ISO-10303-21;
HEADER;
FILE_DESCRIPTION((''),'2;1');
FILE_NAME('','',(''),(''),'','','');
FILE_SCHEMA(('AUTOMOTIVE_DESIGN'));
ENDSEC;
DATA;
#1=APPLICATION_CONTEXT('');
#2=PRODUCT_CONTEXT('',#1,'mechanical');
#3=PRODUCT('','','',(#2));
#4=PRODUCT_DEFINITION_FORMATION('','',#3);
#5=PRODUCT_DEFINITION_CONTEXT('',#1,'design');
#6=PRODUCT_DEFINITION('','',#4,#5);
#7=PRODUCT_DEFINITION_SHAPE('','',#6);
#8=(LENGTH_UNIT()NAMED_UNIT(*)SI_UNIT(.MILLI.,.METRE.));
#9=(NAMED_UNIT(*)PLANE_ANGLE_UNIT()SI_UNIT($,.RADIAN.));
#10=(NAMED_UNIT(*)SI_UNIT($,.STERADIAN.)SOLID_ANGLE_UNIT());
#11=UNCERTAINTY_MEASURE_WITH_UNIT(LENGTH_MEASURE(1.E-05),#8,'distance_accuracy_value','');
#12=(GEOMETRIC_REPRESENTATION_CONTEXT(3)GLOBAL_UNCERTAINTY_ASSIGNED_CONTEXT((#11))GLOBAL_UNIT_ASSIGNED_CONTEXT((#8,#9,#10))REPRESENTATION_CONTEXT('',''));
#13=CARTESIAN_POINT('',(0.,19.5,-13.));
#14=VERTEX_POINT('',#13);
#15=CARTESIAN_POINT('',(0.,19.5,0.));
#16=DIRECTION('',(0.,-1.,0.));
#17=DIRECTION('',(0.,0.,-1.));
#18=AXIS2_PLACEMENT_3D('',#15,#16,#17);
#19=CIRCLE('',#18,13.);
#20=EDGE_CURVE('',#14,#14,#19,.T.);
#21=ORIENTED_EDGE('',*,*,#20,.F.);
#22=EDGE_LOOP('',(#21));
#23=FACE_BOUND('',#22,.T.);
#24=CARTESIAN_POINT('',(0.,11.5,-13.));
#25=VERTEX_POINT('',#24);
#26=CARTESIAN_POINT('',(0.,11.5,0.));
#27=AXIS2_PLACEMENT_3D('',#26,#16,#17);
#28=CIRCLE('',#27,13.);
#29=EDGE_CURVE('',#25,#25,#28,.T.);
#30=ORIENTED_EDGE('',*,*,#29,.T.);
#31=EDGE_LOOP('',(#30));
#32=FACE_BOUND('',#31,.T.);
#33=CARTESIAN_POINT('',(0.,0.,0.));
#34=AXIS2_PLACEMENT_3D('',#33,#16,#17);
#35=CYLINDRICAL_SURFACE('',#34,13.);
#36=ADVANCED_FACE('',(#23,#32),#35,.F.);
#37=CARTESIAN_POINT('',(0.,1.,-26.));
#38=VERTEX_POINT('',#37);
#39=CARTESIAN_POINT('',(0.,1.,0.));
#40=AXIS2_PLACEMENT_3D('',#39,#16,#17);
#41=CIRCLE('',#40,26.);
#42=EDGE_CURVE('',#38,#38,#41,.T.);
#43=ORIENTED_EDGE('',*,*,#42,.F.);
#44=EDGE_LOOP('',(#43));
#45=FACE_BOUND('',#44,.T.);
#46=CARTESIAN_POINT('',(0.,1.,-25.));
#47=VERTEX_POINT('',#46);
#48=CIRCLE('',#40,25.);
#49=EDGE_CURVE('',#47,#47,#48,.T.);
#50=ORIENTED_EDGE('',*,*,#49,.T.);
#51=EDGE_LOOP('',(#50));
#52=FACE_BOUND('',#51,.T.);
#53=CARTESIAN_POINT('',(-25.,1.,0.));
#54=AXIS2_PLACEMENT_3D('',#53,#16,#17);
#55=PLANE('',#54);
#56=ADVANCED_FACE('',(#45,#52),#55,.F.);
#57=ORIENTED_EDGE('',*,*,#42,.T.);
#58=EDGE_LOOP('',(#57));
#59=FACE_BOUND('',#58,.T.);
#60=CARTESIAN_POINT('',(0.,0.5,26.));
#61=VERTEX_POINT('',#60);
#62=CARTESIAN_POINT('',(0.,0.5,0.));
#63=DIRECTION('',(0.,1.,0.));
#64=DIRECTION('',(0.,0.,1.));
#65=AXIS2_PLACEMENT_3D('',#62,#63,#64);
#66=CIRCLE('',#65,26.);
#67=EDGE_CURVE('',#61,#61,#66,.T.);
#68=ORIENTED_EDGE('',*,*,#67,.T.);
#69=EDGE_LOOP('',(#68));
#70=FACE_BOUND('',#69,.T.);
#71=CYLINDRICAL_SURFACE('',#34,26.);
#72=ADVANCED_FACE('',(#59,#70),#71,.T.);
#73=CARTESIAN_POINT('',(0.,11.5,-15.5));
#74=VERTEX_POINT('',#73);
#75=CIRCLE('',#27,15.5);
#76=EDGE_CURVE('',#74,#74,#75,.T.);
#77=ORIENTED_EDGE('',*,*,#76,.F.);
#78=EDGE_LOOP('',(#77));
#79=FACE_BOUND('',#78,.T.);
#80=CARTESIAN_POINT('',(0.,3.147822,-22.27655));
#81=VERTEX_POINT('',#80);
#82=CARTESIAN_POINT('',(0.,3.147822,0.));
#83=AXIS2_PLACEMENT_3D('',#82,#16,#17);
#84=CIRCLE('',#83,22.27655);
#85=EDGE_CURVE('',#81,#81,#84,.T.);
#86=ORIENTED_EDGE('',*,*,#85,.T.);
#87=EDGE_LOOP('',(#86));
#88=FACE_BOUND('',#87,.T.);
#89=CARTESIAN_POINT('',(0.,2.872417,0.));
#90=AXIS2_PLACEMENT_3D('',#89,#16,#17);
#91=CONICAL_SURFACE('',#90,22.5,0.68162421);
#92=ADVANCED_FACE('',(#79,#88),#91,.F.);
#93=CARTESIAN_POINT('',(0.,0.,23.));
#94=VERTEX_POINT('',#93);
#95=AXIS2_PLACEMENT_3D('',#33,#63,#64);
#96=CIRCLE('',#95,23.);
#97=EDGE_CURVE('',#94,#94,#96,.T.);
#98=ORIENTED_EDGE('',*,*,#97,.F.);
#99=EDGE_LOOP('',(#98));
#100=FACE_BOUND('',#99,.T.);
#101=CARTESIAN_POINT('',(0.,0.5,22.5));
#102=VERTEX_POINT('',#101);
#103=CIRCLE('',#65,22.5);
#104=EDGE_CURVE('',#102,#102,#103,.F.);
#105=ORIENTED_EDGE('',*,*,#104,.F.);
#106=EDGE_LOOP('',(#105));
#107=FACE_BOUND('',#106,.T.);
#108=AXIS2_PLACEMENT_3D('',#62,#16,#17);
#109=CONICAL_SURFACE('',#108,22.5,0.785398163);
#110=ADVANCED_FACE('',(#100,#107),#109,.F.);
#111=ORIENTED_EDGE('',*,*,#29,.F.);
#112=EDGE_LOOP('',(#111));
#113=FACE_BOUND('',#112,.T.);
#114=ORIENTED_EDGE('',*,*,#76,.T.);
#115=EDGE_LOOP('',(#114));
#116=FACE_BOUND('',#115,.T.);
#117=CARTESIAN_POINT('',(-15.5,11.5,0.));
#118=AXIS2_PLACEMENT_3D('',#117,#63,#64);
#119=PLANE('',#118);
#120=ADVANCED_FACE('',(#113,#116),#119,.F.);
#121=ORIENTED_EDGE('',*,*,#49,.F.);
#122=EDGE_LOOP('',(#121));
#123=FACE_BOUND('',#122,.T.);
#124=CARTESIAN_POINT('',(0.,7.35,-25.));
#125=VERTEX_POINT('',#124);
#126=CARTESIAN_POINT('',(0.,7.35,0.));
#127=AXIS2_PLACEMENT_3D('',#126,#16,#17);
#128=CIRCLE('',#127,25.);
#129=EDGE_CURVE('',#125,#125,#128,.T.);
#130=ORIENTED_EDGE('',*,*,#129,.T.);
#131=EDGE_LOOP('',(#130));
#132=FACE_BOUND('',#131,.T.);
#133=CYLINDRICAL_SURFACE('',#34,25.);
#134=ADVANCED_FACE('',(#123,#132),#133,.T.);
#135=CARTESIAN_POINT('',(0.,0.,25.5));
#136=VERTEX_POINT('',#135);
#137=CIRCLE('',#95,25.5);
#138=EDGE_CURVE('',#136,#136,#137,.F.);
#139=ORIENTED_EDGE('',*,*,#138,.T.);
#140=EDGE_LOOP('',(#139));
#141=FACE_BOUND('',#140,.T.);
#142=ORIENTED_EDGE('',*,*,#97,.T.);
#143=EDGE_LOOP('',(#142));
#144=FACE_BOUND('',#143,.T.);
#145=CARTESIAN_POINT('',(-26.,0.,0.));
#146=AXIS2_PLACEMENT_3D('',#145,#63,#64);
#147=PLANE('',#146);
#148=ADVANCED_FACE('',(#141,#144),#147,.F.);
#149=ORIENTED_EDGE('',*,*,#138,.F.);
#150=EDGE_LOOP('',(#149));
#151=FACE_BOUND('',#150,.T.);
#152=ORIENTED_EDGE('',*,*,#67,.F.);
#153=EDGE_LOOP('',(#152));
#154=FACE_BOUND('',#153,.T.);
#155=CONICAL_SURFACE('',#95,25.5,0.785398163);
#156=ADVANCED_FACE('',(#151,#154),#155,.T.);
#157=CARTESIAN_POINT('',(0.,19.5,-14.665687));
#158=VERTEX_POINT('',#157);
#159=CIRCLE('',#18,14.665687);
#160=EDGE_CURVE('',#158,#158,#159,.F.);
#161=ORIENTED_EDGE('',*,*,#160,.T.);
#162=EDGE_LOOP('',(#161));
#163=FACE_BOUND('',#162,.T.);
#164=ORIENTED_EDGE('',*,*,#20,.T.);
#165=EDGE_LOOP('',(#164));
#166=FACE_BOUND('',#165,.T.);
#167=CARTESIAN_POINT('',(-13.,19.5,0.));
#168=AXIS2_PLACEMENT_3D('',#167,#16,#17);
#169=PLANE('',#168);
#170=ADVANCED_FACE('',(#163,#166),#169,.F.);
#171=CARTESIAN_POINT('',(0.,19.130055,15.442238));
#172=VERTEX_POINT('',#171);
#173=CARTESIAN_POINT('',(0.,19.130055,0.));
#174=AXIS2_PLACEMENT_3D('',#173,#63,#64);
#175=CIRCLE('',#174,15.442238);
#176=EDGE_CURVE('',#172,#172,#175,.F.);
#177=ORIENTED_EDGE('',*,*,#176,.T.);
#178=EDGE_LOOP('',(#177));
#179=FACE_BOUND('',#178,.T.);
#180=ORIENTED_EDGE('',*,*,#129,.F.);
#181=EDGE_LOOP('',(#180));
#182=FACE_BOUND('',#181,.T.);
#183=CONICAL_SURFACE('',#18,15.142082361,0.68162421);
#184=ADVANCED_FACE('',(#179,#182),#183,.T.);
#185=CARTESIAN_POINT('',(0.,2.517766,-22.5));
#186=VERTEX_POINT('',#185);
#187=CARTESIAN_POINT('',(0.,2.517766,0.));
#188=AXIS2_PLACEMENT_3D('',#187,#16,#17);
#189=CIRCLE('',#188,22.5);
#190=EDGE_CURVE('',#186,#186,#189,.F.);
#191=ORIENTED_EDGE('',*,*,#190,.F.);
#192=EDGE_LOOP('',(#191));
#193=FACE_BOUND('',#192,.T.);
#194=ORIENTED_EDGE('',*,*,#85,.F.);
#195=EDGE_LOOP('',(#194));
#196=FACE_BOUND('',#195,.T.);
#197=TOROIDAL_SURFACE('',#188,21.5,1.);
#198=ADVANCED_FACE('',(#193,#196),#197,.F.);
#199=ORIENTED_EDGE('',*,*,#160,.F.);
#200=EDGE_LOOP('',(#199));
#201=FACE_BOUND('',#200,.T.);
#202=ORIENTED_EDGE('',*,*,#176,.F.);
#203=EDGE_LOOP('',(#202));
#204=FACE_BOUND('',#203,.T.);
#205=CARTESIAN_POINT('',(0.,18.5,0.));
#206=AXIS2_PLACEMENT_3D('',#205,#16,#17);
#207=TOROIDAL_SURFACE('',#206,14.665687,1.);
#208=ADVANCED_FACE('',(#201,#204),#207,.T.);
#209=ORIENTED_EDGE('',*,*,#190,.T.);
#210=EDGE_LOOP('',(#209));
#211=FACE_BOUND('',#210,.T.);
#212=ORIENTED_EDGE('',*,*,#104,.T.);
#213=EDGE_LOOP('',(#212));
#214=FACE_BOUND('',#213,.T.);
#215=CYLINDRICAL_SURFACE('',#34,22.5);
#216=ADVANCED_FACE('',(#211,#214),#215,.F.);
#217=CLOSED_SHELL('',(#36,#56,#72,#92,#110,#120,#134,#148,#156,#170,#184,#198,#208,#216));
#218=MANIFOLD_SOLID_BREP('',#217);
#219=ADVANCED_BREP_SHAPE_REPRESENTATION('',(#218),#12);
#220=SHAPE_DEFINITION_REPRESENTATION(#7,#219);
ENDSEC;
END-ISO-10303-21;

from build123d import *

# Parameters (mm, degrees)
FILLET1_R     = 1
CHAMFER1_SIZE = 0.5


with BuildPart() as part:
    # Sketch1 → Revolve1 (revolve)
    with BuildSketch(Plane.XY):
        Polygon((-26, 0), (-22.5, 0), (-22.5, 2.872417267), (-15.5, 11.5), (-13, 11.5), (-13, 19.5), (-15.142082361, 19.5), (-25, 7.35), (-25, 1), (-26, 1), align=None)
    revolve(axis=Axis((0, 0, 0), (0, 1, 0)))

    # Fillet1
    fillet1_edges = [part.edges().sort_by_distance(p)[0] for p in [
        (15.142082361, 19.5, 0),
        (22.5, 2.872417267, 0),
    ]]
    fillet(fillet1_edges, radius=FILLET1_R)

    # Chamfer1
    chamfer1_edges = [part.edges().sort_by_distance(p)[0] for p in [
        (22.5, 0, 0),
        (26, 0, 0),
    ]]
    chamfer(chamfer1_edges, length=CHAMFER1_SIZE)


solid = part.part
